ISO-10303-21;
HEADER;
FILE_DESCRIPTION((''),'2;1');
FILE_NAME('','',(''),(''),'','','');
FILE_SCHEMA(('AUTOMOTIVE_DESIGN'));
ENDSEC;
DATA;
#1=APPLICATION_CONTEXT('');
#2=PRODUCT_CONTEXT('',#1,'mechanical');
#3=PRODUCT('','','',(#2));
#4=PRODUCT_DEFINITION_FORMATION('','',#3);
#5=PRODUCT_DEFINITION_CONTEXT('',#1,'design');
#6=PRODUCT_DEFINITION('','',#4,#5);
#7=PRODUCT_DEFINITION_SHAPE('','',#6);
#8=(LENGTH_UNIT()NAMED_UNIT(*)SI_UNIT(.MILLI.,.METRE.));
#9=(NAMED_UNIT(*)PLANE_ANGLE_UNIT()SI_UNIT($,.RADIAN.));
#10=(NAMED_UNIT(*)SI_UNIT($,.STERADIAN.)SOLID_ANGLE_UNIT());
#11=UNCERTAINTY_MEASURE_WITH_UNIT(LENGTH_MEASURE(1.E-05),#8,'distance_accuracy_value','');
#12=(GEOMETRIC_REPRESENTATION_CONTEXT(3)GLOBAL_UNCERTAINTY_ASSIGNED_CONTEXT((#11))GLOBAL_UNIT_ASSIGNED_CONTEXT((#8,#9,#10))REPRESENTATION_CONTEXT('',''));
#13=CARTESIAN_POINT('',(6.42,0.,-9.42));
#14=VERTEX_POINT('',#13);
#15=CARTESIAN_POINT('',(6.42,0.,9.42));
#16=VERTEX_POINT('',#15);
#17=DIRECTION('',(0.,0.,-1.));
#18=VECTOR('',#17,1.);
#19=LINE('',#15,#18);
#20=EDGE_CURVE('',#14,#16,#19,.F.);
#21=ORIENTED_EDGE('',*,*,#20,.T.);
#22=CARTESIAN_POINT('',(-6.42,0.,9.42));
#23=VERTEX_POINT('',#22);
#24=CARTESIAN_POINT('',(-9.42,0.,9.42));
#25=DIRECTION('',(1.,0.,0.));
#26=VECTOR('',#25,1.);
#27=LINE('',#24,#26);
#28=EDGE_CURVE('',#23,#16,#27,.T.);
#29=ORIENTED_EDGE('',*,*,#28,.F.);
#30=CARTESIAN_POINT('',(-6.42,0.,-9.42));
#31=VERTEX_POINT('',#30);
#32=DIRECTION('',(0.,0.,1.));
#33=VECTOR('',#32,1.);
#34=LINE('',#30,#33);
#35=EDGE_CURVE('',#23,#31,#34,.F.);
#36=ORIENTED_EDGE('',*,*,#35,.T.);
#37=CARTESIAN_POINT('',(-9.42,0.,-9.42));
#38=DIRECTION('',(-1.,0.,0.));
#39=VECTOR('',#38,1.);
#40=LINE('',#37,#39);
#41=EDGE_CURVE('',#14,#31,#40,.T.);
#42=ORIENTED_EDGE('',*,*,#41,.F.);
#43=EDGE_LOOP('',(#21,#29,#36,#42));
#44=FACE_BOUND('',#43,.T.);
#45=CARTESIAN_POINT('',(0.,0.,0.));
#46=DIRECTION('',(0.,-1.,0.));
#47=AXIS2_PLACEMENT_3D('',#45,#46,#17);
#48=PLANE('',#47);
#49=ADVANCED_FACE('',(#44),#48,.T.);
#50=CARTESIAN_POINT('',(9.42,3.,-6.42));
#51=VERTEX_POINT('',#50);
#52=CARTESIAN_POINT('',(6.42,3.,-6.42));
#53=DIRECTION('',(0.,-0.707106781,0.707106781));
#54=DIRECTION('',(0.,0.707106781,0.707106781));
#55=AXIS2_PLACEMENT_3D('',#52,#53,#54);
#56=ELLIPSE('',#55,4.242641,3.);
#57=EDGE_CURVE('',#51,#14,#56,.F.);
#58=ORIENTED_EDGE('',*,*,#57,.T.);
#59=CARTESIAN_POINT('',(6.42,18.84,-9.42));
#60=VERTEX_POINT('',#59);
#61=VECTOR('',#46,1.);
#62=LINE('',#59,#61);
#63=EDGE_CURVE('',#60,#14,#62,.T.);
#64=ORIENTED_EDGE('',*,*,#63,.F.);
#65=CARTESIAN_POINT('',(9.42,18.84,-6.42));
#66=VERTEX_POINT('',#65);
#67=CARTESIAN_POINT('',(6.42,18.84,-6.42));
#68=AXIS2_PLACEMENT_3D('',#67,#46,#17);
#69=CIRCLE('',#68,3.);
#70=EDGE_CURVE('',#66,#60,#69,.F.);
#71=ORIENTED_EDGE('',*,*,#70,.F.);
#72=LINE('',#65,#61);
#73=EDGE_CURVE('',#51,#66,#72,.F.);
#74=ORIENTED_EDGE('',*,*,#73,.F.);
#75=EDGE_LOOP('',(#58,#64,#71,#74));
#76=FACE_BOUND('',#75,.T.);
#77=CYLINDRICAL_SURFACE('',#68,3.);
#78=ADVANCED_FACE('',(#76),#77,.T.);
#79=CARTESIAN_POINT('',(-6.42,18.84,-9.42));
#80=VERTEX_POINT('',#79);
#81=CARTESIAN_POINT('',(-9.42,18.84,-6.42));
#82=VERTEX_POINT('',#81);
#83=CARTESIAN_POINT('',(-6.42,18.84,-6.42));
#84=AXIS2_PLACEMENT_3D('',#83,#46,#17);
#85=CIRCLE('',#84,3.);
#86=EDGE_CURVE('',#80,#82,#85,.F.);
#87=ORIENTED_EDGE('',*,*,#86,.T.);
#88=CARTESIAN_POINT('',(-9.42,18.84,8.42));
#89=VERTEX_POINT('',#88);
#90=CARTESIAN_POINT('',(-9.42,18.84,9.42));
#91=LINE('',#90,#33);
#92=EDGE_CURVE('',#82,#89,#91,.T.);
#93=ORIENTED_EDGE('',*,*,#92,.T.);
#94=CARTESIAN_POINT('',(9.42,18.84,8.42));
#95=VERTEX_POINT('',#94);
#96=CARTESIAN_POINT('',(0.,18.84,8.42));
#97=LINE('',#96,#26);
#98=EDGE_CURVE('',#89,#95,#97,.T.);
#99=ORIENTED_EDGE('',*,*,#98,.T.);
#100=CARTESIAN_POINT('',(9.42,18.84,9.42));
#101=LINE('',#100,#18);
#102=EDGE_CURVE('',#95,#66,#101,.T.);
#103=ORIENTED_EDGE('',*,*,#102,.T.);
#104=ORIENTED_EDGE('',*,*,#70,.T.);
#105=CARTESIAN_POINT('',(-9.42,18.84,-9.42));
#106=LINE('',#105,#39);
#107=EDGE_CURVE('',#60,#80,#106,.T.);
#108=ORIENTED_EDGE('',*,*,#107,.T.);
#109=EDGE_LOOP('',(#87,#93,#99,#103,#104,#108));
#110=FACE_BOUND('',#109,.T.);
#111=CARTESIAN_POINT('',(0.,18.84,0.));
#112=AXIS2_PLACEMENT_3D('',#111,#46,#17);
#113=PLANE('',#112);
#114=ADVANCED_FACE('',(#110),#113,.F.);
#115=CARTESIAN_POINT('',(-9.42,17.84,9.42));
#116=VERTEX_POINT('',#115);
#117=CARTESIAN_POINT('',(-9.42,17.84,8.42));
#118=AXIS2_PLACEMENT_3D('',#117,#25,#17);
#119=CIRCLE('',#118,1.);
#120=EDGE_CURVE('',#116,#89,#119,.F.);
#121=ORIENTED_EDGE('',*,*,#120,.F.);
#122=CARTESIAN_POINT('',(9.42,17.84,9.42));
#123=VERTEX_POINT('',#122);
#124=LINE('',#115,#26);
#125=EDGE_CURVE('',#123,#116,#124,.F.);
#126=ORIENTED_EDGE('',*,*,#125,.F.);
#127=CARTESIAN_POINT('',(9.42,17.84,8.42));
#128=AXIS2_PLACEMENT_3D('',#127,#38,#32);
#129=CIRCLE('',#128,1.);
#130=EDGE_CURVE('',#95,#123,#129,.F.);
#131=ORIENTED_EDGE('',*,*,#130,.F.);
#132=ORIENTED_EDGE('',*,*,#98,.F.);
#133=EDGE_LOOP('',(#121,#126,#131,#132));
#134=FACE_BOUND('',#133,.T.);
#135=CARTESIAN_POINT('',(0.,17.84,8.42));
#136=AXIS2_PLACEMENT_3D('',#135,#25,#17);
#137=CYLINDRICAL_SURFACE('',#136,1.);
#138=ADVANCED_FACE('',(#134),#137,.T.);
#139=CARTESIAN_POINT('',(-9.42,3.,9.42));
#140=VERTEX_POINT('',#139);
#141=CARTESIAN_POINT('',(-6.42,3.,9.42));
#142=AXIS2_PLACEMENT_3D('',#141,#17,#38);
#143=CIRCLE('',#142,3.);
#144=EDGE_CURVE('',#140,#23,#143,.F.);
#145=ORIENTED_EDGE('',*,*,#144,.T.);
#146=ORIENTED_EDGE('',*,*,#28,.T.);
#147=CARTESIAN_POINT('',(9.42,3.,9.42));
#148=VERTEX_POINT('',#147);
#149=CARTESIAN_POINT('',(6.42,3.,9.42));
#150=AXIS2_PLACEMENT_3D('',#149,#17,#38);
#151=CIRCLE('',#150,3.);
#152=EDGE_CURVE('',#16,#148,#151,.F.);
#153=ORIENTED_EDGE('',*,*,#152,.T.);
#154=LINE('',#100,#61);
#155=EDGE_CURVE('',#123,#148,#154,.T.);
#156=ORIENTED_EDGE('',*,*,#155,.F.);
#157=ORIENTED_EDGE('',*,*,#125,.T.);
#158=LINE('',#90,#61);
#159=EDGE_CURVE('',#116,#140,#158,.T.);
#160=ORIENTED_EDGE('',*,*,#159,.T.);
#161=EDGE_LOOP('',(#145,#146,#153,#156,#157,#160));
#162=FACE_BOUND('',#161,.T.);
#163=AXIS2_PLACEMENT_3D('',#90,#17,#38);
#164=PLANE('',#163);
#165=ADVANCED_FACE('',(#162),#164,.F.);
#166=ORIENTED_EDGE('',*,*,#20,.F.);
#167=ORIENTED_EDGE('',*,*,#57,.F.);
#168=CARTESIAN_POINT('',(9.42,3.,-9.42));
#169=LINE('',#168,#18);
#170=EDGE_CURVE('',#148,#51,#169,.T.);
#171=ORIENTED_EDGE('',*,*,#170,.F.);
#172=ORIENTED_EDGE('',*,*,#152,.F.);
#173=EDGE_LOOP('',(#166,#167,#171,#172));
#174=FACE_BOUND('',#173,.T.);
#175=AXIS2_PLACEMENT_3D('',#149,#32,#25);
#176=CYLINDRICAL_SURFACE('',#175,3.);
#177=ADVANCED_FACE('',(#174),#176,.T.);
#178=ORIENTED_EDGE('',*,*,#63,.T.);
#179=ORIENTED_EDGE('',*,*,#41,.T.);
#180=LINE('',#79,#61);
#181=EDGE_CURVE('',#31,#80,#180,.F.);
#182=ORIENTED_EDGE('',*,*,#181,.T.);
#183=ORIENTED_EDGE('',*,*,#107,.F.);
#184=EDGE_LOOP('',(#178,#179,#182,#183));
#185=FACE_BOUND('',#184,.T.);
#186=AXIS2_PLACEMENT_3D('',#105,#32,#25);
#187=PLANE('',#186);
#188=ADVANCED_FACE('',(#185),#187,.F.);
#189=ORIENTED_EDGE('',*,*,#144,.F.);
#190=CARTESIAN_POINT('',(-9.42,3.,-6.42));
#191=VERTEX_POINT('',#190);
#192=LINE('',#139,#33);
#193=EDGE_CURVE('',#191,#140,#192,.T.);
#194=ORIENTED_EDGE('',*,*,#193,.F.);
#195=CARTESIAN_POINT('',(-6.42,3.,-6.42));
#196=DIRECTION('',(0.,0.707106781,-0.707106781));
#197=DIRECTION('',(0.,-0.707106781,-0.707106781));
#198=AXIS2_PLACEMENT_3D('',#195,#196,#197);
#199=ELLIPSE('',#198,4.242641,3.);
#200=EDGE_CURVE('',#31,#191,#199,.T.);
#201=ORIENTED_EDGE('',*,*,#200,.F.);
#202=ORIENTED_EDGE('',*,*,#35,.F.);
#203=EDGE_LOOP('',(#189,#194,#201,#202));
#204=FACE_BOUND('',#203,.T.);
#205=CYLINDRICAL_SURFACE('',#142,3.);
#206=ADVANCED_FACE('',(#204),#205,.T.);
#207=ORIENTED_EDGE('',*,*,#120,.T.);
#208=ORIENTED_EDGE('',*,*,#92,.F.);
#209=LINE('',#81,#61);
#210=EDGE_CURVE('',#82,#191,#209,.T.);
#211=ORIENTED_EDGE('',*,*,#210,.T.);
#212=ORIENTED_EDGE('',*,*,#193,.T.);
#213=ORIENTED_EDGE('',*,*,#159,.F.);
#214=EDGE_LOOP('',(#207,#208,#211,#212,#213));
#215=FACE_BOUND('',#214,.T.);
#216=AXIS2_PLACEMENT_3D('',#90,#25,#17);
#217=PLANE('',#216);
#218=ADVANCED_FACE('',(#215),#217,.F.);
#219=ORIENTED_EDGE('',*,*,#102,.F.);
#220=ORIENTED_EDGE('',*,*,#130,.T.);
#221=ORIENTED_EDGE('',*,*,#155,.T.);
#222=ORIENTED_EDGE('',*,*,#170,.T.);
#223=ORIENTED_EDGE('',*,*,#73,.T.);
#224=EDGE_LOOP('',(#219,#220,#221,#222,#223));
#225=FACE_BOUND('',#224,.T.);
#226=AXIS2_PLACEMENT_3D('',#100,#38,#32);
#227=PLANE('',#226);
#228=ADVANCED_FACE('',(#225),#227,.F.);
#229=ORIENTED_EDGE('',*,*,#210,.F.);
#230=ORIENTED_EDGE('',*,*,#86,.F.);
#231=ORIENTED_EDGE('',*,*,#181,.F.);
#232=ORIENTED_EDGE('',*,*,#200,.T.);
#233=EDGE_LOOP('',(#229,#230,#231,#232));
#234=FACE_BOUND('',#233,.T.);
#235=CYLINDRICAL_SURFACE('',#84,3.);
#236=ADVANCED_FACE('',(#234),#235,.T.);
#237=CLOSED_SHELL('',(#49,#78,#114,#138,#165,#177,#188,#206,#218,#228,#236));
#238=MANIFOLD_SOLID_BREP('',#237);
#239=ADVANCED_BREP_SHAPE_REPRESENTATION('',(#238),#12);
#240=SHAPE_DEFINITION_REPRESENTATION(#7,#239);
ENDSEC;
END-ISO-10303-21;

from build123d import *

# Parameters (mm, degrees)
SKETCH_1_W      = 18.84
SKETCH_1_H      = 18.84
EXTRUDE_1_DEPTH = 18.84
FILLET_1_R      = 1
FILLET_2_R      = 3


with BuildPart() as part:
    # 草图1 → 凸台-拉伸1 (new body)
    with BuildSketch(Plane(origin=(0, 0, 0), x_dir=(1, 0, 0), z_dir=(0, 1, 0))):
        Rectangle(SKETCH_1_W, SKETCH_1_H)
    extrude(amount=EXTRUDE_1_DEPTH)

    # 圆角1
    fillet_1_edges = [part.edges().sort_by_distance(p)[0] for p in [
        (0, 18.84, 9.42),
    ]]
    fillet(fillet_1_edges, radius=FILLET_1_R)

    # 圆角2
    fillet_2_edges = [part.edges().sort_by_distance(p)[0] for p in [
        (-9.42, 0, 0),
        (9.42, 0, 0),
        (-9.42, 9.42, -9.42),
        (9.42, 9.42, -9.42),
    ]]
    fillet(fillet_2_edges, radius=FILLET_2_R)


solid = part.part
